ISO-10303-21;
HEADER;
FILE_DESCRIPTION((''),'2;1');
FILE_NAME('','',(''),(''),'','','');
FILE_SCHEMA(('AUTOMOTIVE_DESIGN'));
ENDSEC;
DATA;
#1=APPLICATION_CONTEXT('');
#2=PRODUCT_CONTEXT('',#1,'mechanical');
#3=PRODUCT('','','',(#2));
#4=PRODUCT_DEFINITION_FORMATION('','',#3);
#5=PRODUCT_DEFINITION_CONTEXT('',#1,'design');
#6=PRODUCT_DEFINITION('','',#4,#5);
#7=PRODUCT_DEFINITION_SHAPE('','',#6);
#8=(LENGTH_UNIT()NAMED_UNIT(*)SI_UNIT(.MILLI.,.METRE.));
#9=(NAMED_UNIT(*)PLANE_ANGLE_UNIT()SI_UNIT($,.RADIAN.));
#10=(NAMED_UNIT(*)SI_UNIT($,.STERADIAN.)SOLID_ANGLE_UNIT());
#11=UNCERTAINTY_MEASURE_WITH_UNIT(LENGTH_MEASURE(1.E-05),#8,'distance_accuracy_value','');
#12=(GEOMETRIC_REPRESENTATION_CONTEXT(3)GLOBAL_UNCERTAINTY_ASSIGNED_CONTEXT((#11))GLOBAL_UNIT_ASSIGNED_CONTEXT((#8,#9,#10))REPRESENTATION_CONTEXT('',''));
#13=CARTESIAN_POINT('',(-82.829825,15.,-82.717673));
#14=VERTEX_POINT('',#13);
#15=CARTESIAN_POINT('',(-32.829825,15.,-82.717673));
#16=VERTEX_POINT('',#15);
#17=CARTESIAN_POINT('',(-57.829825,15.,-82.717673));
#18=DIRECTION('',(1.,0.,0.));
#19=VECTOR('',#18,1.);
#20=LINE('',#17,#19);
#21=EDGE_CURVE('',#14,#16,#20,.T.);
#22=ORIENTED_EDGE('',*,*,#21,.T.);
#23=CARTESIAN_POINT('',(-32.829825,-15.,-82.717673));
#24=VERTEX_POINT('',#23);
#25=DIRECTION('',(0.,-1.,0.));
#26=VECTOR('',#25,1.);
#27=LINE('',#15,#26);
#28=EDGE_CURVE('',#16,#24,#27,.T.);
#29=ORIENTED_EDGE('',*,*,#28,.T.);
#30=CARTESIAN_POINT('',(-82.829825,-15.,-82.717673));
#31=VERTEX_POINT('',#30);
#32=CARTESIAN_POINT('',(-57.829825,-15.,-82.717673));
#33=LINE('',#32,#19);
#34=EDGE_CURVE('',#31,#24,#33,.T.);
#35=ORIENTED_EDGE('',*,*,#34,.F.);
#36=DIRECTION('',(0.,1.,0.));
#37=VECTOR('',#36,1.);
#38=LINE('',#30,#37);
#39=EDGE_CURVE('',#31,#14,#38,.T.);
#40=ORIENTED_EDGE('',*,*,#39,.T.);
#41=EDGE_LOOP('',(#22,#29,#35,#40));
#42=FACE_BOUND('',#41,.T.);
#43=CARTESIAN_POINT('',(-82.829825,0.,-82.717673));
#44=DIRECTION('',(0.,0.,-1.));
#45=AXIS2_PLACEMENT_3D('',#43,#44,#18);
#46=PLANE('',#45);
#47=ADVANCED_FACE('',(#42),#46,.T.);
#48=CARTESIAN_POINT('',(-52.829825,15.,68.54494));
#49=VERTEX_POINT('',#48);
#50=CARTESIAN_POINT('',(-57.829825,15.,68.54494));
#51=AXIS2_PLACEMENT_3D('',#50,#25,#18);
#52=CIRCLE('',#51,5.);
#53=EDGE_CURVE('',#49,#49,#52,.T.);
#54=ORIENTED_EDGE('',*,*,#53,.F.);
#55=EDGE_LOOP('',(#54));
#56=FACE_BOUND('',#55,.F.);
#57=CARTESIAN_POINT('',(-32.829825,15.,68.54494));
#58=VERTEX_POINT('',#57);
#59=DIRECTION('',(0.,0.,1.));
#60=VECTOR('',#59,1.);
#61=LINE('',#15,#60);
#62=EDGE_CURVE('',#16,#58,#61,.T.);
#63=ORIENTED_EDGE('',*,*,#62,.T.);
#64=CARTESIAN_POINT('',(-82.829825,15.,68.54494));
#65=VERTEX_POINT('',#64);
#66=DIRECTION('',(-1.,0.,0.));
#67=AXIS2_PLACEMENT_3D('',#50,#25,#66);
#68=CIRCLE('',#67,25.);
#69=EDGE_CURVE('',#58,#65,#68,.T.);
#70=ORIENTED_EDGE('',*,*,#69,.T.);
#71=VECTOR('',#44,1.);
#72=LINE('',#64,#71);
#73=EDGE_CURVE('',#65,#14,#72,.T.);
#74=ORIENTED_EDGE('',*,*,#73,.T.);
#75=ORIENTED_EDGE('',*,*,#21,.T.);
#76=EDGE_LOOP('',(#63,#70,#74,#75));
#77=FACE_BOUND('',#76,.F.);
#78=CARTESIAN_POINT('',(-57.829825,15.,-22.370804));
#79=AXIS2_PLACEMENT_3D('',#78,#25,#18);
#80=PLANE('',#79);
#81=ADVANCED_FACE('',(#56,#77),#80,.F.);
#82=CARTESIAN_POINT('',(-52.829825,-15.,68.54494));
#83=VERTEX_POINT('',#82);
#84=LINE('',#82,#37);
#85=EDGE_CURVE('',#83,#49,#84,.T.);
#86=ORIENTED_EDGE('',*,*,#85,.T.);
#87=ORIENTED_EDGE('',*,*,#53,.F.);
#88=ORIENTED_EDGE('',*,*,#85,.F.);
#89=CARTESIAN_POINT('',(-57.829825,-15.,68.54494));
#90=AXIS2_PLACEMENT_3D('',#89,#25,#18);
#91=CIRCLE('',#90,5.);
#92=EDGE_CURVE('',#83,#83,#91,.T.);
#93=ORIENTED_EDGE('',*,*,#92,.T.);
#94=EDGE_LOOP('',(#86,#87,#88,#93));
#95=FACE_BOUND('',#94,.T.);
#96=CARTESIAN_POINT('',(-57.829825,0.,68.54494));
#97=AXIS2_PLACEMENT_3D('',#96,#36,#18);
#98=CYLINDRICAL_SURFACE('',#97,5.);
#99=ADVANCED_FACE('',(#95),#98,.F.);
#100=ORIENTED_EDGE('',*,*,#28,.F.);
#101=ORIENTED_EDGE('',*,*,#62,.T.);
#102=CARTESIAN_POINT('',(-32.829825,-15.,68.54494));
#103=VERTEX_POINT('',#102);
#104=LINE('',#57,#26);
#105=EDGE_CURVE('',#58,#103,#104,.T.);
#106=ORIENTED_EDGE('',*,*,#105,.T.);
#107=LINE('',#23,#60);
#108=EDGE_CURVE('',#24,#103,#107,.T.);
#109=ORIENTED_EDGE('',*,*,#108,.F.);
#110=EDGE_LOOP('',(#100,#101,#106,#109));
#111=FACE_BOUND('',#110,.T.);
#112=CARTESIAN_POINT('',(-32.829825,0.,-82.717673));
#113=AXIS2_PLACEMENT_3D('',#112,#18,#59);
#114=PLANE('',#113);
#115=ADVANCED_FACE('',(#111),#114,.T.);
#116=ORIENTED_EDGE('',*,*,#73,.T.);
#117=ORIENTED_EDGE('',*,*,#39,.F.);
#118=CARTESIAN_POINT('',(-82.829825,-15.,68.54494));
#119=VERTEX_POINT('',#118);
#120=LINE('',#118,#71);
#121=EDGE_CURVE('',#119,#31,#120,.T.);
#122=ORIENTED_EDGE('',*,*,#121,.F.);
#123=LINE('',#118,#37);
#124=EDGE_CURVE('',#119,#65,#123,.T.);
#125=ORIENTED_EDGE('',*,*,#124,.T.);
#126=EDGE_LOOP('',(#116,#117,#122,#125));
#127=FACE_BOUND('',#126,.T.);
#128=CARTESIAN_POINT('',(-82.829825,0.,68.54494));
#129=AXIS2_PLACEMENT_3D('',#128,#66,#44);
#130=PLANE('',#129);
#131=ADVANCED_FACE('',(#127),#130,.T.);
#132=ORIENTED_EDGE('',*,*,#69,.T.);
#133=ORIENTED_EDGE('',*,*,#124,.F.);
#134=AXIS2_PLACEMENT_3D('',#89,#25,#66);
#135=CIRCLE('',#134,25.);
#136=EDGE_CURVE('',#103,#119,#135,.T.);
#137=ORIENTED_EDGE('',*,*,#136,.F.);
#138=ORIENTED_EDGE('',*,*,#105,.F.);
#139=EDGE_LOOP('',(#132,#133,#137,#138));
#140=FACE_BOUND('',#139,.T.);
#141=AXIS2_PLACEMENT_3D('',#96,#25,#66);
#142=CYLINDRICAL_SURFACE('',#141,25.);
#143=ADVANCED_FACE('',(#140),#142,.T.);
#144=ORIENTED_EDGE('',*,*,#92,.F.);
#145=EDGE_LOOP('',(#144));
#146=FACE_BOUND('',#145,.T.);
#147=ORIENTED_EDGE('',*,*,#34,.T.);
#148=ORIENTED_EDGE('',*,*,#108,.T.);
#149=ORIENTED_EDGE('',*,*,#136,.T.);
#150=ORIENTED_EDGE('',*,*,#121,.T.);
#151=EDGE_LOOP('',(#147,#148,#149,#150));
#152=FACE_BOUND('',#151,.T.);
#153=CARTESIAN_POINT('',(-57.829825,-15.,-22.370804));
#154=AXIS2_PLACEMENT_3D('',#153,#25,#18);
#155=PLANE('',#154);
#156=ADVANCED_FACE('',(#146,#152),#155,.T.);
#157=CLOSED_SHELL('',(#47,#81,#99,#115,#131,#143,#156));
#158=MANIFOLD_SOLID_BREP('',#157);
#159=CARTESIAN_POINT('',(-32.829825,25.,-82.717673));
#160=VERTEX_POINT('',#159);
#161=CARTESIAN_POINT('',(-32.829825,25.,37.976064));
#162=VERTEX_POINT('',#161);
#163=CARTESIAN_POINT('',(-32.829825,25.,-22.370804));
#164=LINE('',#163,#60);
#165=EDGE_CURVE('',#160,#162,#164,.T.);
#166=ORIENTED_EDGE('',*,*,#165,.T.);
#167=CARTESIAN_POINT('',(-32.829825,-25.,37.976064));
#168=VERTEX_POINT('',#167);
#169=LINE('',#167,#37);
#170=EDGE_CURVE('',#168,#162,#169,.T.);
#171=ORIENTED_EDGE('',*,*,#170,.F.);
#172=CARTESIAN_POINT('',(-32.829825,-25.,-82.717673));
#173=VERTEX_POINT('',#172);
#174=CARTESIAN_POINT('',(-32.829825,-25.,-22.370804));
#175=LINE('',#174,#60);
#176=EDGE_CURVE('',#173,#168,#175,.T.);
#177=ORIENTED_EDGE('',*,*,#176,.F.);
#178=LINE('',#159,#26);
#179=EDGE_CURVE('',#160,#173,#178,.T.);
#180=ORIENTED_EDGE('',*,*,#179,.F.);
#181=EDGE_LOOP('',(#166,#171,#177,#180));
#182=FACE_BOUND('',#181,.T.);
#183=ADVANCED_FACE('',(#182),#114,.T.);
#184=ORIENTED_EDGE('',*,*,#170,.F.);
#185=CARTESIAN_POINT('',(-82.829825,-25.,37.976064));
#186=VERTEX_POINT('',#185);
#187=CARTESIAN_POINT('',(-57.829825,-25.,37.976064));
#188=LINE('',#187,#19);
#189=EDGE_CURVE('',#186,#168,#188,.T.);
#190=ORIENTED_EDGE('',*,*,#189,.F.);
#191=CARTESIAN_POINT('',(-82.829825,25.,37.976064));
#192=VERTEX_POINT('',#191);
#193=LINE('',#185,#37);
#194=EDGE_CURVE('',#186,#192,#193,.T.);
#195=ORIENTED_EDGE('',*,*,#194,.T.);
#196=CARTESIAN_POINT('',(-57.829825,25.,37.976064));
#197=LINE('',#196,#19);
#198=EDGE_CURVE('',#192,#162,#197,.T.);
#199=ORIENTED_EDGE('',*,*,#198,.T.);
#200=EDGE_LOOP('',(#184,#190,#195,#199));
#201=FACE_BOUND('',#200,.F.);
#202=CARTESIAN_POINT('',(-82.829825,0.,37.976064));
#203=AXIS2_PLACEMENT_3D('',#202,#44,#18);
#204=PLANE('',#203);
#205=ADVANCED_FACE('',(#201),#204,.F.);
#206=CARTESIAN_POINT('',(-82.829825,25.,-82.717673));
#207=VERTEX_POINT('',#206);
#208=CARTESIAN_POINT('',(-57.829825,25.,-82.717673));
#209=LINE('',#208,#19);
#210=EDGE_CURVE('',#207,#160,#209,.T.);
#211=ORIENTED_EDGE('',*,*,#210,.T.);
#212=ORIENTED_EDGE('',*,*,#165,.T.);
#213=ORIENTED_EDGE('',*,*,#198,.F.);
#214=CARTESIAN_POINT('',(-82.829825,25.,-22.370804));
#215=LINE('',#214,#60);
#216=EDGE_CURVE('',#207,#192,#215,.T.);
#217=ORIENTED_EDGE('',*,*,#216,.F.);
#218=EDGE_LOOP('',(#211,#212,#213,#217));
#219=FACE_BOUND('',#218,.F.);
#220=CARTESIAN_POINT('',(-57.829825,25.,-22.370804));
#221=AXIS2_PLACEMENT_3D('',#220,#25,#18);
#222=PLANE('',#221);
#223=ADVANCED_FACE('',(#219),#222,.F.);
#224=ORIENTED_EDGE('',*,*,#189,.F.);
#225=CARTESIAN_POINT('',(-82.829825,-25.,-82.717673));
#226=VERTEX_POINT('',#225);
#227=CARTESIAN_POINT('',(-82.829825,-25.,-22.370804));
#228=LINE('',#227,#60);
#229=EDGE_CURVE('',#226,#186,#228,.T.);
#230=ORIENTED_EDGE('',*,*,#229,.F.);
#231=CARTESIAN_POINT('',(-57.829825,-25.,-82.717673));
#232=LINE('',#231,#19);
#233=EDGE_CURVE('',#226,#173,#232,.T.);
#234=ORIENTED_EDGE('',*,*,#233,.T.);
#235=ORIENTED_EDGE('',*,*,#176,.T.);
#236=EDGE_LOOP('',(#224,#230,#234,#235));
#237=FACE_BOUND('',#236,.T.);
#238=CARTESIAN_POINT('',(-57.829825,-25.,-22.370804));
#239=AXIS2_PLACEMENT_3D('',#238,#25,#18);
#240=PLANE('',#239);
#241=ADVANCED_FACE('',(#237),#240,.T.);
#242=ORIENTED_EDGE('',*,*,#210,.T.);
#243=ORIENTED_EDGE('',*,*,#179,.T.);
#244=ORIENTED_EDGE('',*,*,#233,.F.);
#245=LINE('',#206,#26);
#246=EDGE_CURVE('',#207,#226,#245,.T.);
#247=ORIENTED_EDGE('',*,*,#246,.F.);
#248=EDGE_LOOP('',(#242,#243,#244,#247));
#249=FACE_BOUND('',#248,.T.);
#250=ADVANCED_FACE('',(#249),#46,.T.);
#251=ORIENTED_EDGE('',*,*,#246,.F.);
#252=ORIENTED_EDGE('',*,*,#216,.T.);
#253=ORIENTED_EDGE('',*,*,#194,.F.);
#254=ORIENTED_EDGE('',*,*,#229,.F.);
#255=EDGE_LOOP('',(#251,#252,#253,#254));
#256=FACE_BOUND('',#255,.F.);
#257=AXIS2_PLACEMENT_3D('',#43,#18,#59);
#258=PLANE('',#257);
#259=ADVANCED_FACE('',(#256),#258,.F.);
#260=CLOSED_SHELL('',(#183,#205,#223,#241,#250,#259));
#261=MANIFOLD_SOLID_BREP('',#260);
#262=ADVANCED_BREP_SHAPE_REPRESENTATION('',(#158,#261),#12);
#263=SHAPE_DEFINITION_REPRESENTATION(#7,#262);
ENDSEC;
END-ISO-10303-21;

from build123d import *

# Parameters (mm, degrees)
F0_W     = 50
F0_H     = 120.693737
F1_DEPTH = 25
F0_R     = 5
F2_DEPTH = 15


with BuildPart() as f1:
    # F0 (on Front) → F1 (new body, symmetric)
    with BuildSketch(Plane.XZ):
        with Locations((-57.829825, -22.370804)):
            Rectangle(F0_W, F0_H)
    extrude(amount=F1_DEPTH, both=True)


with BuildPart() as f2:
    # F0 (on Front) → F2 (new body, symmetric)
    with BuildSketch(Plane.XZ):
        with Locations((-57.829825, -22.370804)):
            Rectangle(F0_W, F0_H)
        with BuildLine():
            Line((-82.829825, 68.54494), (-82.829825, 37.976064))
            Line((-82.829825, 37.976064), (-32.829825, 37.976064))
            Line((-32.829825, 37.976064), (-32.829825, 68.54494))
            ThreePointArc((-32.829825, 68.54494), (-57.829825, 43.54494), (-82.829825, 68.54494))
        make_face()
        with BuildLine():
            ThreePointArc((-32.829825, 68.54494), (-57.829825, 93.54494), (-82.829825, 68.54494))
            ThreePointArc((-82.829825, 68.54494), (-57.829825, 43.54494), (-32.829825, 68.54494))
        make_face()
        with Locations((-57.829825, 68.54494)):
            Circle(F0_R, mode=Mode.SUBTRACT)
    extrude(amount=F2_DEPTH, both=True)


solid = Compound([f1.part, f2.part])
